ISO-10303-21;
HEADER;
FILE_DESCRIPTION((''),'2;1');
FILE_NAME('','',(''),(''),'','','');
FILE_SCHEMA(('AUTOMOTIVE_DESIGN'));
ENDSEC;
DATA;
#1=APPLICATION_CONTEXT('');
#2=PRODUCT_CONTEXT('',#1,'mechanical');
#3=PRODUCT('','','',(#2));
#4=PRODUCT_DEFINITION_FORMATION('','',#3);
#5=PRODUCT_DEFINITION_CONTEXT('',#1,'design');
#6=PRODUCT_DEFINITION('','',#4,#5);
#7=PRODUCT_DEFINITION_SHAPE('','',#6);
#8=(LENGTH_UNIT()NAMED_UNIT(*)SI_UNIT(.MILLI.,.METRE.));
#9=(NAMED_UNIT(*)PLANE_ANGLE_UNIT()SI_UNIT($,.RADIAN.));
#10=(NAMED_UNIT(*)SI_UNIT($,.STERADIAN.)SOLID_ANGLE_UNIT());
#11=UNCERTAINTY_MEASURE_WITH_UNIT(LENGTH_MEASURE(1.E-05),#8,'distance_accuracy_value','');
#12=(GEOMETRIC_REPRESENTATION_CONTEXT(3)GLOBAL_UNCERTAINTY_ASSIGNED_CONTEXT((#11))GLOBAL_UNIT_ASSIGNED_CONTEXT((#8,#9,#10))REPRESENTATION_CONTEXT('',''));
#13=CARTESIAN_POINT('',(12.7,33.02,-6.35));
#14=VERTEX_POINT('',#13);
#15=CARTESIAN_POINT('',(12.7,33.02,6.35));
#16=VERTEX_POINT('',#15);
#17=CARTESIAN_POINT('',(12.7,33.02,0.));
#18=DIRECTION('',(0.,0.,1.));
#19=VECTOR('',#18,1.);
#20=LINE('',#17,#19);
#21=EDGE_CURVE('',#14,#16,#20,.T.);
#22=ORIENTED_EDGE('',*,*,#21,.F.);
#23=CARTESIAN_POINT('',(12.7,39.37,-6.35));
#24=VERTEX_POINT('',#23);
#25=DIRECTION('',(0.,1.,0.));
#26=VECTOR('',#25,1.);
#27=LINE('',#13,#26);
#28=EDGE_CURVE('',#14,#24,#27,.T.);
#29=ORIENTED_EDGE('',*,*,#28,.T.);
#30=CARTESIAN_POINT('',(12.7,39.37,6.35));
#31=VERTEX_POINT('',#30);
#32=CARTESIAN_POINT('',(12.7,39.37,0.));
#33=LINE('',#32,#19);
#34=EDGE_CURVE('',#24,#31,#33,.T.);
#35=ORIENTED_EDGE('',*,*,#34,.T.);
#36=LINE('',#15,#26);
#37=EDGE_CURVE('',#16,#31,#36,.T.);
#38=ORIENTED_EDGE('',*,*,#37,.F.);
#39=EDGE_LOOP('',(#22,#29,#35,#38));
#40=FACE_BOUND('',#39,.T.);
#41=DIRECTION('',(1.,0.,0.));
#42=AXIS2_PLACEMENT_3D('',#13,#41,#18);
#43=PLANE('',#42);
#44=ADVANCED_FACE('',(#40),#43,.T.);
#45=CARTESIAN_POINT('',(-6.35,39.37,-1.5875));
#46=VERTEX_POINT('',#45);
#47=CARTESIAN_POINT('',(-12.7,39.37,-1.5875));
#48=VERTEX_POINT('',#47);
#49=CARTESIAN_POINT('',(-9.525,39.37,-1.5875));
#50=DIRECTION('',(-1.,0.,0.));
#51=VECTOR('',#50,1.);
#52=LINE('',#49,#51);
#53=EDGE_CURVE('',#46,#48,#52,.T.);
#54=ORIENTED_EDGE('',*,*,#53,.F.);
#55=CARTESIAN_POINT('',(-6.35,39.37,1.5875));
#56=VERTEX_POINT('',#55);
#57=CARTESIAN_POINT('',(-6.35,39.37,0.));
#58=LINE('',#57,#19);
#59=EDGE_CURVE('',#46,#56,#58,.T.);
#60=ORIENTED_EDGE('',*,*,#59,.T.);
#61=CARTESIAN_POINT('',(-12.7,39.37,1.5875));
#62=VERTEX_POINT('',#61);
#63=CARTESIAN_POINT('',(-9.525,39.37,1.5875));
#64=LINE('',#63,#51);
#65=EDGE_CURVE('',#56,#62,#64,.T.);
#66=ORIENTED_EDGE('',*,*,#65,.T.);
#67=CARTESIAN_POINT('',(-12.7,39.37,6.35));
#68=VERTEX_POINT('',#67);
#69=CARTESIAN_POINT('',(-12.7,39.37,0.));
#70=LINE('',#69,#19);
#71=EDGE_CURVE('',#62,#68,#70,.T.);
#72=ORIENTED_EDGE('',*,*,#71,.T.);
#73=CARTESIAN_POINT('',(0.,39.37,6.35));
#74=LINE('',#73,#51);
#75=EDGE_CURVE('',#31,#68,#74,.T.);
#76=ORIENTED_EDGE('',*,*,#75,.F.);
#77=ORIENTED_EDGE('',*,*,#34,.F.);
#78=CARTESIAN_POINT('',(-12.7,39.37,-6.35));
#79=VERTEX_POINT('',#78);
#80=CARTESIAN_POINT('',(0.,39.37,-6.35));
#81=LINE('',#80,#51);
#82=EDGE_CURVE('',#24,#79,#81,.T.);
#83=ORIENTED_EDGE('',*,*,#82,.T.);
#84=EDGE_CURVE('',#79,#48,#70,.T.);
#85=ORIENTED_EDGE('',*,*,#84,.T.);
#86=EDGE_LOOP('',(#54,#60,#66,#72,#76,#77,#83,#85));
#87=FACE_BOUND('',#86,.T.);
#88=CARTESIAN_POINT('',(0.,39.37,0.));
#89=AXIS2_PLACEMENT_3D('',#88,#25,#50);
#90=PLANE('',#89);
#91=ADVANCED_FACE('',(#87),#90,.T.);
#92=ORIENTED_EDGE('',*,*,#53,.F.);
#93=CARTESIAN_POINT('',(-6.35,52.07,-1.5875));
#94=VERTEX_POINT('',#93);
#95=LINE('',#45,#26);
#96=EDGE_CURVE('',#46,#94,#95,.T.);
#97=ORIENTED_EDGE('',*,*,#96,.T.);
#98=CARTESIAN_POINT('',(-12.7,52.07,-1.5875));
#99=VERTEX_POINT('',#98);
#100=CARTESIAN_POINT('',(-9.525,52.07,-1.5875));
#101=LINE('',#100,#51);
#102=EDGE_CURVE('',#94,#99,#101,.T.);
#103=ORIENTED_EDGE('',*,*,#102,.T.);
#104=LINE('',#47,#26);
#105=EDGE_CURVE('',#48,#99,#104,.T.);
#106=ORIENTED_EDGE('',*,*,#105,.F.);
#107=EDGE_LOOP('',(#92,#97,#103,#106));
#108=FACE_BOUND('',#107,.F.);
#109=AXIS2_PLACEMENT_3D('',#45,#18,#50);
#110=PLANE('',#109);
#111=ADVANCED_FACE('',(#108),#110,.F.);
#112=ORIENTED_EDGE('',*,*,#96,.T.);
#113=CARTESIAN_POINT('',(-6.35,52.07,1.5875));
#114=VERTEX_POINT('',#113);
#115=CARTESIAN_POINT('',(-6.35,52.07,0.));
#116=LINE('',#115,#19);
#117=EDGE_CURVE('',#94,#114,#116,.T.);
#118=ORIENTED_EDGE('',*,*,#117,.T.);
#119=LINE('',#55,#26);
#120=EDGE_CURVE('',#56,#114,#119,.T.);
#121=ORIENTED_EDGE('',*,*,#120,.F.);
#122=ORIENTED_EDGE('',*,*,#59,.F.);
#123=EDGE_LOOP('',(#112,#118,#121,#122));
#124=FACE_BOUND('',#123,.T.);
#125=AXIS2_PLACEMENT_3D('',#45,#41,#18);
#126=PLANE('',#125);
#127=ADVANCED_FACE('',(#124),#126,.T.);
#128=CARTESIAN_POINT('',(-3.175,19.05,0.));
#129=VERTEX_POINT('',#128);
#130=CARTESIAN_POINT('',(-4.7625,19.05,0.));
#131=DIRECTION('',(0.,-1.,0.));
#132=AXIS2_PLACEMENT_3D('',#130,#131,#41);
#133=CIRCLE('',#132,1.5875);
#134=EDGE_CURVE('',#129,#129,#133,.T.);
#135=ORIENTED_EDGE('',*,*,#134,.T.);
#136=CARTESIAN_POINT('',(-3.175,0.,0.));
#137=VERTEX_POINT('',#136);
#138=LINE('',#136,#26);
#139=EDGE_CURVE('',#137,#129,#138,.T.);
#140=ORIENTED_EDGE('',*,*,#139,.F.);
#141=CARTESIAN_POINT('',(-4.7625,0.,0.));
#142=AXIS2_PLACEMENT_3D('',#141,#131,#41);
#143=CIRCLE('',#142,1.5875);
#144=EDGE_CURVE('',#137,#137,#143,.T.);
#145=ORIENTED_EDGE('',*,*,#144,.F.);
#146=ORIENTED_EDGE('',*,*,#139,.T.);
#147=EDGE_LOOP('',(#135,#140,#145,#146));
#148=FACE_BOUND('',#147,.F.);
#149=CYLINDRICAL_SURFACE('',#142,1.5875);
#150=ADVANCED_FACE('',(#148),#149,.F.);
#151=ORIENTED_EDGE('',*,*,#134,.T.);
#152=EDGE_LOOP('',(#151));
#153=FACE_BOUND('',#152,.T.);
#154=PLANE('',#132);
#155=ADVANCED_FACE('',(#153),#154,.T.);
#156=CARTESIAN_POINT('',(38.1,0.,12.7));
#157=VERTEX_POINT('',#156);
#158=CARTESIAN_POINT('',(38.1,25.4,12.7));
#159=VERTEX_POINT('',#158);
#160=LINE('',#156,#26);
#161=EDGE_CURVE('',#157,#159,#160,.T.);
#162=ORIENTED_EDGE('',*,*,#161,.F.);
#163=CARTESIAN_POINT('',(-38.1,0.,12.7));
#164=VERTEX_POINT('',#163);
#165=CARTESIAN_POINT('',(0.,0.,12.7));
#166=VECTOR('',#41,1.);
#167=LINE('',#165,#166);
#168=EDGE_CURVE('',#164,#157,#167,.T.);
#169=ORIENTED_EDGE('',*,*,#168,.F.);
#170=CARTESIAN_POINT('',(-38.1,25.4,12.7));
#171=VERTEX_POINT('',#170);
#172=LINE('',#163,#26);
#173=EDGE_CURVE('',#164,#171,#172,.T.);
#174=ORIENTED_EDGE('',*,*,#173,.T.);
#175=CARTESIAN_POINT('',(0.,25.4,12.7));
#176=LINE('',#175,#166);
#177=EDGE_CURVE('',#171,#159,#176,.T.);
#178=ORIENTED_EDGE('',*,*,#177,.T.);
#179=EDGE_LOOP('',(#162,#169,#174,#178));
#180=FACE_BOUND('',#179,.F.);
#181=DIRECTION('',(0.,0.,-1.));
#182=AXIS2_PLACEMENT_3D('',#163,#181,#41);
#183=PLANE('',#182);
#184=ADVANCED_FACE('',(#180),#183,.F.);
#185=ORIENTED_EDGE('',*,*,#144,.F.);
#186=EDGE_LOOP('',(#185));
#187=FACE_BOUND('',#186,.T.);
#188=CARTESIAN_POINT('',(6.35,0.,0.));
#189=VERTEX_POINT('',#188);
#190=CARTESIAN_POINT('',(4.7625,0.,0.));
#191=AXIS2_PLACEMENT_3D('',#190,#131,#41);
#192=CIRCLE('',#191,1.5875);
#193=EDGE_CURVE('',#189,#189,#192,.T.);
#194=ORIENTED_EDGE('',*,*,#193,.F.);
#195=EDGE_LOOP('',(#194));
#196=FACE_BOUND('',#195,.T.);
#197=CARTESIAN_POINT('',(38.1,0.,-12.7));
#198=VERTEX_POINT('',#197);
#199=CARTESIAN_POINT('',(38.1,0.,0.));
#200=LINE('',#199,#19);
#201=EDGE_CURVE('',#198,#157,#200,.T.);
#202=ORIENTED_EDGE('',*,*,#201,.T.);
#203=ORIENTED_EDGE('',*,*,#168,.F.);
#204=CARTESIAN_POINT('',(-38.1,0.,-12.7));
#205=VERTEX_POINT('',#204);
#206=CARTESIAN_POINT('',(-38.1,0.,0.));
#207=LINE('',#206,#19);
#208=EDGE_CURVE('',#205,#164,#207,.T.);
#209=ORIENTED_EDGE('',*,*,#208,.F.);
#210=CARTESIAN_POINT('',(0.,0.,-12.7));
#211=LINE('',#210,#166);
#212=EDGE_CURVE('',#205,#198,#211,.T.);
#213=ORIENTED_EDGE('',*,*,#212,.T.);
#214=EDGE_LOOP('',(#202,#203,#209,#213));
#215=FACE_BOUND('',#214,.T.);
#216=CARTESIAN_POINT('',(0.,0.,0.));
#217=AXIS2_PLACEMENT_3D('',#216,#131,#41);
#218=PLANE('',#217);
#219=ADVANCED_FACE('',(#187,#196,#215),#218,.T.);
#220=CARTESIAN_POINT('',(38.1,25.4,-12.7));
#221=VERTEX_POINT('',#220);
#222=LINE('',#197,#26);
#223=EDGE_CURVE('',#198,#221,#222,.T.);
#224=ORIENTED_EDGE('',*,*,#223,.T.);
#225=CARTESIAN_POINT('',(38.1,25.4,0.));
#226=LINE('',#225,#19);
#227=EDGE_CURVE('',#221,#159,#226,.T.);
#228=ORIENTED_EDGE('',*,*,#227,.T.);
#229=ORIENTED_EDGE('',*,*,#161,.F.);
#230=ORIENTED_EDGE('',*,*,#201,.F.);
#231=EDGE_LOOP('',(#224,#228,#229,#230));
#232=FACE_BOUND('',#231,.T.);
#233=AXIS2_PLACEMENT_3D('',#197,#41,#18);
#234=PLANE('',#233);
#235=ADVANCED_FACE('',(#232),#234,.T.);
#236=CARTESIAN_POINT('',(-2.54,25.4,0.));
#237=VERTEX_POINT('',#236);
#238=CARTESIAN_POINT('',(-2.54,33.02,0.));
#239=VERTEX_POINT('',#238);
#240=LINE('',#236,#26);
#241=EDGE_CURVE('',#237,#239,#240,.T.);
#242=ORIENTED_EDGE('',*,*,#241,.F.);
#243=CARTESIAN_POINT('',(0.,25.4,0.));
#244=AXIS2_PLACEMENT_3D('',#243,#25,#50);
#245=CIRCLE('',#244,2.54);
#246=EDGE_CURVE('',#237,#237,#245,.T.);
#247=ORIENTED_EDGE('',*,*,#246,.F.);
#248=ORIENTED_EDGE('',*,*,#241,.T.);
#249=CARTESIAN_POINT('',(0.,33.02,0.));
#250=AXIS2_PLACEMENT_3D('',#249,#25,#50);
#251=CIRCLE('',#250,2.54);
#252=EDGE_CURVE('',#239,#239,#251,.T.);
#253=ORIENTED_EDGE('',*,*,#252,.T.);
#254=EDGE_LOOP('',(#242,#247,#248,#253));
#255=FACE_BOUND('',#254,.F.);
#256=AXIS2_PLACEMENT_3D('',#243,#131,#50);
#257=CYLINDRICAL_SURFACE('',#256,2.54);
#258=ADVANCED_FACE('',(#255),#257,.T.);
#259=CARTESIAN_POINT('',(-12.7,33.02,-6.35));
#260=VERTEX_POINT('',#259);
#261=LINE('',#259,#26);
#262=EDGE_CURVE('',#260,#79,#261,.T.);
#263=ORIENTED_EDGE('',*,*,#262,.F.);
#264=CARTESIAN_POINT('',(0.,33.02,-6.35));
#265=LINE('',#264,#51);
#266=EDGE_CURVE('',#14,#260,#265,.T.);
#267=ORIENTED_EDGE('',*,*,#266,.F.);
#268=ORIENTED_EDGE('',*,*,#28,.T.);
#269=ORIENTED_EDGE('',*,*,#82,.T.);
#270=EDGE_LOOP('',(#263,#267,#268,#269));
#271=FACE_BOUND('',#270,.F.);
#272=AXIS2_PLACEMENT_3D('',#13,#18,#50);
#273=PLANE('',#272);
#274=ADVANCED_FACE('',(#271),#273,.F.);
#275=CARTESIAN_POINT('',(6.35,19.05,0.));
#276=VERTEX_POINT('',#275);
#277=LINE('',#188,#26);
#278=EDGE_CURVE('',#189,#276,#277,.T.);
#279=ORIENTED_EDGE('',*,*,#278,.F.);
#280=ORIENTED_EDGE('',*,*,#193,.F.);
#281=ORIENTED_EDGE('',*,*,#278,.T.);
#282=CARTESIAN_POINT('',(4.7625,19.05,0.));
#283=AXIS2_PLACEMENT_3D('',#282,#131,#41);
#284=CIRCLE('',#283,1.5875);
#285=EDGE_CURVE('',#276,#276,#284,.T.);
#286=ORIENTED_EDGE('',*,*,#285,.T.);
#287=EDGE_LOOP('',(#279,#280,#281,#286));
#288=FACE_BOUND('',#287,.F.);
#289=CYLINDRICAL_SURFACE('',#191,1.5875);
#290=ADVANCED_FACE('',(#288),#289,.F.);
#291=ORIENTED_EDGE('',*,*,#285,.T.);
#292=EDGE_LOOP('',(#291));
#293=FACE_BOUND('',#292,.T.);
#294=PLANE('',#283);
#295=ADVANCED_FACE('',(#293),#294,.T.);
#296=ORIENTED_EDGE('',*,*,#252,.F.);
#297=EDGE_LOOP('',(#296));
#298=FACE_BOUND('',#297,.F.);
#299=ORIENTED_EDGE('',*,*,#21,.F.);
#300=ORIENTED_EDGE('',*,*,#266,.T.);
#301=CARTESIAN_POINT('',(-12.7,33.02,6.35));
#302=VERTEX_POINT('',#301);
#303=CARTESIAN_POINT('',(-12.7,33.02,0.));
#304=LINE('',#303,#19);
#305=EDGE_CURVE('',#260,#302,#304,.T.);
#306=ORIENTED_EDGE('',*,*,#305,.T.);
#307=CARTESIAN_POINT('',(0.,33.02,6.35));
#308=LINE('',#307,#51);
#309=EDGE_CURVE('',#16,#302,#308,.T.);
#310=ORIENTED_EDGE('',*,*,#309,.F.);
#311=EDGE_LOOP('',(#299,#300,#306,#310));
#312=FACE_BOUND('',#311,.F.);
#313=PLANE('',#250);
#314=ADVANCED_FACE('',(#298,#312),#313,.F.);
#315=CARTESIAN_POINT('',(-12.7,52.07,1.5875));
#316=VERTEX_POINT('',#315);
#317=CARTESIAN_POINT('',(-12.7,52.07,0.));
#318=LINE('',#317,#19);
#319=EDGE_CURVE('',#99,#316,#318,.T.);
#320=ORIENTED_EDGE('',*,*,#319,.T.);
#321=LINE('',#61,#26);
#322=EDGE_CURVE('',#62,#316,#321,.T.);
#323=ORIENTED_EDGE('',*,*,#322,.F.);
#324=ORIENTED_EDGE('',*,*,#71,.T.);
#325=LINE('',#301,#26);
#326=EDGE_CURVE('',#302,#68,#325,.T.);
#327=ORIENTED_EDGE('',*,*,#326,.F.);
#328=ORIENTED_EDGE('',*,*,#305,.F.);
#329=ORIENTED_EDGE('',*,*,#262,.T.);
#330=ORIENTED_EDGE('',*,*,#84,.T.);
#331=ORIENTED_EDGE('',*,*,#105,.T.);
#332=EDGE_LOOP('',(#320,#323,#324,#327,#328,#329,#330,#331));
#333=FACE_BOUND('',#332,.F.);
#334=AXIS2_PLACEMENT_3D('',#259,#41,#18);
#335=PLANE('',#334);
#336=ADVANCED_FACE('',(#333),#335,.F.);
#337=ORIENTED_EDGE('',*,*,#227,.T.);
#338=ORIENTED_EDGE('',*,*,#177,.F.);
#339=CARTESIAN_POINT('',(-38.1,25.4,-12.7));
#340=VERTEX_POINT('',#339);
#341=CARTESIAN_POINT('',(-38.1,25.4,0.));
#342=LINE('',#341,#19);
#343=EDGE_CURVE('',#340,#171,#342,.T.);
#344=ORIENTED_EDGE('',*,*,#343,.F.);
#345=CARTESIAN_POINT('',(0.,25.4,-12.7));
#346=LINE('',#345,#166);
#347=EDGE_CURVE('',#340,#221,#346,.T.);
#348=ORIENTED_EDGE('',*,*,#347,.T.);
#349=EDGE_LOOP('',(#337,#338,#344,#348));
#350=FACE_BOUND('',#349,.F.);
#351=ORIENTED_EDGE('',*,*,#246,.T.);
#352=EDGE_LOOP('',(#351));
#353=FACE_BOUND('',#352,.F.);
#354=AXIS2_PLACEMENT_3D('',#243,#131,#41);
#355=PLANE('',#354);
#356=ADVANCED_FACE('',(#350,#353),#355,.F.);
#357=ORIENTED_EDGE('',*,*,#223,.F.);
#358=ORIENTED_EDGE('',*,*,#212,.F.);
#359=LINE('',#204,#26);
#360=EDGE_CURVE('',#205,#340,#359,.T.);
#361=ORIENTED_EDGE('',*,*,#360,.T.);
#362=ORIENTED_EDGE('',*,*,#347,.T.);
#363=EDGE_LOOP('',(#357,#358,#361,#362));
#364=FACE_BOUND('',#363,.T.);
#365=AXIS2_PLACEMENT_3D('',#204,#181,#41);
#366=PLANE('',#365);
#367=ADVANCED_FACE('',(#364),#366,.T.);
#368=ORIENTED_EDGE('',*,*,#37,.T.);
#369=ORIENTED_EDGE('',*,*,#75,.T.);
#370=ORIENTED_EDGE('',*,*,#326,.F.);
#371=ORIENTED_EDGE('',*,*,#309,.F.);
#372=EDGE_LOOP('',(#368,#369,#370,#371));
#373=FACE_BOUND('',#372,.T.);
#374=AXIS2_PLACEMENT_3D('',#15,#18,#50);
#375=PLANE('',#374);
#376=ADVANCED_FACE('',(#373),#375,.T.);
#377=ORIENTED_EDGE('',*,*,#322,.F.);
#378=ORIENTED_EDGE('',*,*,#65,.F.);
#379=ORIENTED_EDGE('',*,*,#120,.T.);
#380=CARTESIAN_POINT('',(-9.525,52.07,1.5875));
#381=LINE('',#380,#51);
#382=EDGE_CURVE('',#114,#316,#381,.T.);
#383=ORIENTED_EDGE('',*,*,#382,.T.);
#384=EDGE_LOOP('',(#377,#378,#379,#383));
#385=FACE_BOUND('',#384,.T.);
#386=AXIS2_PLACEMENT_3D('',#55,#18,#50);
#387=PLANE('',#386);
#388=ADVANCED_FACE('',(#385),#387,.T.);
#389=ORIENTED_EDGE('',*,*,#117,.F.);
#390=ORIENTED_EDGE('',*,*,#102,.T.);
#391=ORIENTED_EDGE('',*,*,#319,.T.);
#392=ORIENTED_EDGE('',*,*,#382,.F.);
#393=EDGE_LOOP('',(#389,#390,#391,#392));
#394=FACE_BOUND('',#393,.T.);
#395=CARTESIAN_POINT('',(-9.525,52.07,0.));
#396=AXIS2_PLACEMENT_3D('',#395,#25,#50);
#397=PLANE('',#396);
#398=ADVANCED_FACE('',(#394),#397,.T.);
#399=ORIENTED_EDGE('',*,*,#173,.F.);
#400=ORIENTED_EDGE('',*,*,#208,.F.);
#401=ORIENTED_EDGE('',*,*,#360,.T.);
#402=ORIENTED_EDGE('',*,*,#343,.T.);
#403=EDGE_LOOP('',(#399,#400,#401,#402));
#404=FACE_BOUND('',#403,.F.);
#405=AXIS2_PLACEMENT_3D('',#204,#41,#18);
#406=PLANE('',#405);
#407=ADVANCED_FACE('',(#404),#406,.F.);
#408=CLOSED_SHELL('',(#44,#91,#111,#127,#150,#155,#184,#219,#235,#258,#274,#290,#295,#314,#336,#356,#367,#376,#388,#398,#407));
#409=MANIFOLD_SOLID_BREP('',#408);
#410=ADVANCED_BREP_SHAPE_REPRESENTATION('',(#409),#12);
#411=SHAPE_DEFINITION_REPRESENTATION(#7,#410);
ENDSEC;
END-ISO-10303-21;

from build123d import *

# Parameters (mm, degrees)
F0_W     = 76.2
F0_H     = 25.4
F0_R     = 1.5875
F1_DEPTH = 25.4
F2_R     = 2.54
F3_DEPTH = 7.62
F4_W     = 25.4
F4_H     = 12.7
F5_DEPTH = 6.35
F6_W     = 6.35
F6_H     = 3.175
F7_DEPTH = 12.7
F8_DEPTH = 19.05


with BuildPart() as f1:
    # F0 (on Front) → F1 (new body)
    with BuildSketch(Plane.XZ):
        Rectangle(F0_W, F0_H)
        with Locations((-4.7625, 0)):
            Circle(F0_R, mode=Mode.SUBTRACT)
        with Locations((4.7625, 0)):
            Circle(F0_R, mode=Mode.SUBTRACT)
        with Locations((-4.7625, 0)):
            Circle(F0_R)
        with Locations((4.7625, 0)):
            Circle(F0_R)
    extrude(amount=-F1_DEPTH)

    # F2 (on face) → F3 (join)
    with BuildSketch(Plane(origin=(0, 25.4, 0), x_dir=(-1, 0, 0), z_dir=(0, 1, 0))):
        Circle(F2_R)
    extrude(amount=F3_DEPTH)

    # F4 (on face) → F5 (join)
    with BuildSketch(Plane(origin=(0, 33.02, 0), x_dir=(-1, 0, 0), z_dir=(0, 1, 0))):
        Rectangle(F4_W, F4_H)
    extrude(amount=F5_DEPTH)

    # F6 (on face) → F7 (join)
    with BuildSketch(Plane(origin=(0, 39.37, 0), x_dir=(-1, 0, 0), z_dir=(0, 1, 0))):
        with Locations((9.525, 0)):
            Rectangle(F6_W, F6_H)
    extrude(amount=F7_DEPTH)

    # F0 (on Front) → F8 (cut)
    with BuildSketch(Plane.XZ):
        with Locations((-4.7625, 0)):
            Circle(F0_R)
        with Locations((4.7625, 0)):
            Circle(F0_R)
    extrude(amount=-F8_DEPTH, mode=Mode.SUBTRACT)


solid = f1.part
